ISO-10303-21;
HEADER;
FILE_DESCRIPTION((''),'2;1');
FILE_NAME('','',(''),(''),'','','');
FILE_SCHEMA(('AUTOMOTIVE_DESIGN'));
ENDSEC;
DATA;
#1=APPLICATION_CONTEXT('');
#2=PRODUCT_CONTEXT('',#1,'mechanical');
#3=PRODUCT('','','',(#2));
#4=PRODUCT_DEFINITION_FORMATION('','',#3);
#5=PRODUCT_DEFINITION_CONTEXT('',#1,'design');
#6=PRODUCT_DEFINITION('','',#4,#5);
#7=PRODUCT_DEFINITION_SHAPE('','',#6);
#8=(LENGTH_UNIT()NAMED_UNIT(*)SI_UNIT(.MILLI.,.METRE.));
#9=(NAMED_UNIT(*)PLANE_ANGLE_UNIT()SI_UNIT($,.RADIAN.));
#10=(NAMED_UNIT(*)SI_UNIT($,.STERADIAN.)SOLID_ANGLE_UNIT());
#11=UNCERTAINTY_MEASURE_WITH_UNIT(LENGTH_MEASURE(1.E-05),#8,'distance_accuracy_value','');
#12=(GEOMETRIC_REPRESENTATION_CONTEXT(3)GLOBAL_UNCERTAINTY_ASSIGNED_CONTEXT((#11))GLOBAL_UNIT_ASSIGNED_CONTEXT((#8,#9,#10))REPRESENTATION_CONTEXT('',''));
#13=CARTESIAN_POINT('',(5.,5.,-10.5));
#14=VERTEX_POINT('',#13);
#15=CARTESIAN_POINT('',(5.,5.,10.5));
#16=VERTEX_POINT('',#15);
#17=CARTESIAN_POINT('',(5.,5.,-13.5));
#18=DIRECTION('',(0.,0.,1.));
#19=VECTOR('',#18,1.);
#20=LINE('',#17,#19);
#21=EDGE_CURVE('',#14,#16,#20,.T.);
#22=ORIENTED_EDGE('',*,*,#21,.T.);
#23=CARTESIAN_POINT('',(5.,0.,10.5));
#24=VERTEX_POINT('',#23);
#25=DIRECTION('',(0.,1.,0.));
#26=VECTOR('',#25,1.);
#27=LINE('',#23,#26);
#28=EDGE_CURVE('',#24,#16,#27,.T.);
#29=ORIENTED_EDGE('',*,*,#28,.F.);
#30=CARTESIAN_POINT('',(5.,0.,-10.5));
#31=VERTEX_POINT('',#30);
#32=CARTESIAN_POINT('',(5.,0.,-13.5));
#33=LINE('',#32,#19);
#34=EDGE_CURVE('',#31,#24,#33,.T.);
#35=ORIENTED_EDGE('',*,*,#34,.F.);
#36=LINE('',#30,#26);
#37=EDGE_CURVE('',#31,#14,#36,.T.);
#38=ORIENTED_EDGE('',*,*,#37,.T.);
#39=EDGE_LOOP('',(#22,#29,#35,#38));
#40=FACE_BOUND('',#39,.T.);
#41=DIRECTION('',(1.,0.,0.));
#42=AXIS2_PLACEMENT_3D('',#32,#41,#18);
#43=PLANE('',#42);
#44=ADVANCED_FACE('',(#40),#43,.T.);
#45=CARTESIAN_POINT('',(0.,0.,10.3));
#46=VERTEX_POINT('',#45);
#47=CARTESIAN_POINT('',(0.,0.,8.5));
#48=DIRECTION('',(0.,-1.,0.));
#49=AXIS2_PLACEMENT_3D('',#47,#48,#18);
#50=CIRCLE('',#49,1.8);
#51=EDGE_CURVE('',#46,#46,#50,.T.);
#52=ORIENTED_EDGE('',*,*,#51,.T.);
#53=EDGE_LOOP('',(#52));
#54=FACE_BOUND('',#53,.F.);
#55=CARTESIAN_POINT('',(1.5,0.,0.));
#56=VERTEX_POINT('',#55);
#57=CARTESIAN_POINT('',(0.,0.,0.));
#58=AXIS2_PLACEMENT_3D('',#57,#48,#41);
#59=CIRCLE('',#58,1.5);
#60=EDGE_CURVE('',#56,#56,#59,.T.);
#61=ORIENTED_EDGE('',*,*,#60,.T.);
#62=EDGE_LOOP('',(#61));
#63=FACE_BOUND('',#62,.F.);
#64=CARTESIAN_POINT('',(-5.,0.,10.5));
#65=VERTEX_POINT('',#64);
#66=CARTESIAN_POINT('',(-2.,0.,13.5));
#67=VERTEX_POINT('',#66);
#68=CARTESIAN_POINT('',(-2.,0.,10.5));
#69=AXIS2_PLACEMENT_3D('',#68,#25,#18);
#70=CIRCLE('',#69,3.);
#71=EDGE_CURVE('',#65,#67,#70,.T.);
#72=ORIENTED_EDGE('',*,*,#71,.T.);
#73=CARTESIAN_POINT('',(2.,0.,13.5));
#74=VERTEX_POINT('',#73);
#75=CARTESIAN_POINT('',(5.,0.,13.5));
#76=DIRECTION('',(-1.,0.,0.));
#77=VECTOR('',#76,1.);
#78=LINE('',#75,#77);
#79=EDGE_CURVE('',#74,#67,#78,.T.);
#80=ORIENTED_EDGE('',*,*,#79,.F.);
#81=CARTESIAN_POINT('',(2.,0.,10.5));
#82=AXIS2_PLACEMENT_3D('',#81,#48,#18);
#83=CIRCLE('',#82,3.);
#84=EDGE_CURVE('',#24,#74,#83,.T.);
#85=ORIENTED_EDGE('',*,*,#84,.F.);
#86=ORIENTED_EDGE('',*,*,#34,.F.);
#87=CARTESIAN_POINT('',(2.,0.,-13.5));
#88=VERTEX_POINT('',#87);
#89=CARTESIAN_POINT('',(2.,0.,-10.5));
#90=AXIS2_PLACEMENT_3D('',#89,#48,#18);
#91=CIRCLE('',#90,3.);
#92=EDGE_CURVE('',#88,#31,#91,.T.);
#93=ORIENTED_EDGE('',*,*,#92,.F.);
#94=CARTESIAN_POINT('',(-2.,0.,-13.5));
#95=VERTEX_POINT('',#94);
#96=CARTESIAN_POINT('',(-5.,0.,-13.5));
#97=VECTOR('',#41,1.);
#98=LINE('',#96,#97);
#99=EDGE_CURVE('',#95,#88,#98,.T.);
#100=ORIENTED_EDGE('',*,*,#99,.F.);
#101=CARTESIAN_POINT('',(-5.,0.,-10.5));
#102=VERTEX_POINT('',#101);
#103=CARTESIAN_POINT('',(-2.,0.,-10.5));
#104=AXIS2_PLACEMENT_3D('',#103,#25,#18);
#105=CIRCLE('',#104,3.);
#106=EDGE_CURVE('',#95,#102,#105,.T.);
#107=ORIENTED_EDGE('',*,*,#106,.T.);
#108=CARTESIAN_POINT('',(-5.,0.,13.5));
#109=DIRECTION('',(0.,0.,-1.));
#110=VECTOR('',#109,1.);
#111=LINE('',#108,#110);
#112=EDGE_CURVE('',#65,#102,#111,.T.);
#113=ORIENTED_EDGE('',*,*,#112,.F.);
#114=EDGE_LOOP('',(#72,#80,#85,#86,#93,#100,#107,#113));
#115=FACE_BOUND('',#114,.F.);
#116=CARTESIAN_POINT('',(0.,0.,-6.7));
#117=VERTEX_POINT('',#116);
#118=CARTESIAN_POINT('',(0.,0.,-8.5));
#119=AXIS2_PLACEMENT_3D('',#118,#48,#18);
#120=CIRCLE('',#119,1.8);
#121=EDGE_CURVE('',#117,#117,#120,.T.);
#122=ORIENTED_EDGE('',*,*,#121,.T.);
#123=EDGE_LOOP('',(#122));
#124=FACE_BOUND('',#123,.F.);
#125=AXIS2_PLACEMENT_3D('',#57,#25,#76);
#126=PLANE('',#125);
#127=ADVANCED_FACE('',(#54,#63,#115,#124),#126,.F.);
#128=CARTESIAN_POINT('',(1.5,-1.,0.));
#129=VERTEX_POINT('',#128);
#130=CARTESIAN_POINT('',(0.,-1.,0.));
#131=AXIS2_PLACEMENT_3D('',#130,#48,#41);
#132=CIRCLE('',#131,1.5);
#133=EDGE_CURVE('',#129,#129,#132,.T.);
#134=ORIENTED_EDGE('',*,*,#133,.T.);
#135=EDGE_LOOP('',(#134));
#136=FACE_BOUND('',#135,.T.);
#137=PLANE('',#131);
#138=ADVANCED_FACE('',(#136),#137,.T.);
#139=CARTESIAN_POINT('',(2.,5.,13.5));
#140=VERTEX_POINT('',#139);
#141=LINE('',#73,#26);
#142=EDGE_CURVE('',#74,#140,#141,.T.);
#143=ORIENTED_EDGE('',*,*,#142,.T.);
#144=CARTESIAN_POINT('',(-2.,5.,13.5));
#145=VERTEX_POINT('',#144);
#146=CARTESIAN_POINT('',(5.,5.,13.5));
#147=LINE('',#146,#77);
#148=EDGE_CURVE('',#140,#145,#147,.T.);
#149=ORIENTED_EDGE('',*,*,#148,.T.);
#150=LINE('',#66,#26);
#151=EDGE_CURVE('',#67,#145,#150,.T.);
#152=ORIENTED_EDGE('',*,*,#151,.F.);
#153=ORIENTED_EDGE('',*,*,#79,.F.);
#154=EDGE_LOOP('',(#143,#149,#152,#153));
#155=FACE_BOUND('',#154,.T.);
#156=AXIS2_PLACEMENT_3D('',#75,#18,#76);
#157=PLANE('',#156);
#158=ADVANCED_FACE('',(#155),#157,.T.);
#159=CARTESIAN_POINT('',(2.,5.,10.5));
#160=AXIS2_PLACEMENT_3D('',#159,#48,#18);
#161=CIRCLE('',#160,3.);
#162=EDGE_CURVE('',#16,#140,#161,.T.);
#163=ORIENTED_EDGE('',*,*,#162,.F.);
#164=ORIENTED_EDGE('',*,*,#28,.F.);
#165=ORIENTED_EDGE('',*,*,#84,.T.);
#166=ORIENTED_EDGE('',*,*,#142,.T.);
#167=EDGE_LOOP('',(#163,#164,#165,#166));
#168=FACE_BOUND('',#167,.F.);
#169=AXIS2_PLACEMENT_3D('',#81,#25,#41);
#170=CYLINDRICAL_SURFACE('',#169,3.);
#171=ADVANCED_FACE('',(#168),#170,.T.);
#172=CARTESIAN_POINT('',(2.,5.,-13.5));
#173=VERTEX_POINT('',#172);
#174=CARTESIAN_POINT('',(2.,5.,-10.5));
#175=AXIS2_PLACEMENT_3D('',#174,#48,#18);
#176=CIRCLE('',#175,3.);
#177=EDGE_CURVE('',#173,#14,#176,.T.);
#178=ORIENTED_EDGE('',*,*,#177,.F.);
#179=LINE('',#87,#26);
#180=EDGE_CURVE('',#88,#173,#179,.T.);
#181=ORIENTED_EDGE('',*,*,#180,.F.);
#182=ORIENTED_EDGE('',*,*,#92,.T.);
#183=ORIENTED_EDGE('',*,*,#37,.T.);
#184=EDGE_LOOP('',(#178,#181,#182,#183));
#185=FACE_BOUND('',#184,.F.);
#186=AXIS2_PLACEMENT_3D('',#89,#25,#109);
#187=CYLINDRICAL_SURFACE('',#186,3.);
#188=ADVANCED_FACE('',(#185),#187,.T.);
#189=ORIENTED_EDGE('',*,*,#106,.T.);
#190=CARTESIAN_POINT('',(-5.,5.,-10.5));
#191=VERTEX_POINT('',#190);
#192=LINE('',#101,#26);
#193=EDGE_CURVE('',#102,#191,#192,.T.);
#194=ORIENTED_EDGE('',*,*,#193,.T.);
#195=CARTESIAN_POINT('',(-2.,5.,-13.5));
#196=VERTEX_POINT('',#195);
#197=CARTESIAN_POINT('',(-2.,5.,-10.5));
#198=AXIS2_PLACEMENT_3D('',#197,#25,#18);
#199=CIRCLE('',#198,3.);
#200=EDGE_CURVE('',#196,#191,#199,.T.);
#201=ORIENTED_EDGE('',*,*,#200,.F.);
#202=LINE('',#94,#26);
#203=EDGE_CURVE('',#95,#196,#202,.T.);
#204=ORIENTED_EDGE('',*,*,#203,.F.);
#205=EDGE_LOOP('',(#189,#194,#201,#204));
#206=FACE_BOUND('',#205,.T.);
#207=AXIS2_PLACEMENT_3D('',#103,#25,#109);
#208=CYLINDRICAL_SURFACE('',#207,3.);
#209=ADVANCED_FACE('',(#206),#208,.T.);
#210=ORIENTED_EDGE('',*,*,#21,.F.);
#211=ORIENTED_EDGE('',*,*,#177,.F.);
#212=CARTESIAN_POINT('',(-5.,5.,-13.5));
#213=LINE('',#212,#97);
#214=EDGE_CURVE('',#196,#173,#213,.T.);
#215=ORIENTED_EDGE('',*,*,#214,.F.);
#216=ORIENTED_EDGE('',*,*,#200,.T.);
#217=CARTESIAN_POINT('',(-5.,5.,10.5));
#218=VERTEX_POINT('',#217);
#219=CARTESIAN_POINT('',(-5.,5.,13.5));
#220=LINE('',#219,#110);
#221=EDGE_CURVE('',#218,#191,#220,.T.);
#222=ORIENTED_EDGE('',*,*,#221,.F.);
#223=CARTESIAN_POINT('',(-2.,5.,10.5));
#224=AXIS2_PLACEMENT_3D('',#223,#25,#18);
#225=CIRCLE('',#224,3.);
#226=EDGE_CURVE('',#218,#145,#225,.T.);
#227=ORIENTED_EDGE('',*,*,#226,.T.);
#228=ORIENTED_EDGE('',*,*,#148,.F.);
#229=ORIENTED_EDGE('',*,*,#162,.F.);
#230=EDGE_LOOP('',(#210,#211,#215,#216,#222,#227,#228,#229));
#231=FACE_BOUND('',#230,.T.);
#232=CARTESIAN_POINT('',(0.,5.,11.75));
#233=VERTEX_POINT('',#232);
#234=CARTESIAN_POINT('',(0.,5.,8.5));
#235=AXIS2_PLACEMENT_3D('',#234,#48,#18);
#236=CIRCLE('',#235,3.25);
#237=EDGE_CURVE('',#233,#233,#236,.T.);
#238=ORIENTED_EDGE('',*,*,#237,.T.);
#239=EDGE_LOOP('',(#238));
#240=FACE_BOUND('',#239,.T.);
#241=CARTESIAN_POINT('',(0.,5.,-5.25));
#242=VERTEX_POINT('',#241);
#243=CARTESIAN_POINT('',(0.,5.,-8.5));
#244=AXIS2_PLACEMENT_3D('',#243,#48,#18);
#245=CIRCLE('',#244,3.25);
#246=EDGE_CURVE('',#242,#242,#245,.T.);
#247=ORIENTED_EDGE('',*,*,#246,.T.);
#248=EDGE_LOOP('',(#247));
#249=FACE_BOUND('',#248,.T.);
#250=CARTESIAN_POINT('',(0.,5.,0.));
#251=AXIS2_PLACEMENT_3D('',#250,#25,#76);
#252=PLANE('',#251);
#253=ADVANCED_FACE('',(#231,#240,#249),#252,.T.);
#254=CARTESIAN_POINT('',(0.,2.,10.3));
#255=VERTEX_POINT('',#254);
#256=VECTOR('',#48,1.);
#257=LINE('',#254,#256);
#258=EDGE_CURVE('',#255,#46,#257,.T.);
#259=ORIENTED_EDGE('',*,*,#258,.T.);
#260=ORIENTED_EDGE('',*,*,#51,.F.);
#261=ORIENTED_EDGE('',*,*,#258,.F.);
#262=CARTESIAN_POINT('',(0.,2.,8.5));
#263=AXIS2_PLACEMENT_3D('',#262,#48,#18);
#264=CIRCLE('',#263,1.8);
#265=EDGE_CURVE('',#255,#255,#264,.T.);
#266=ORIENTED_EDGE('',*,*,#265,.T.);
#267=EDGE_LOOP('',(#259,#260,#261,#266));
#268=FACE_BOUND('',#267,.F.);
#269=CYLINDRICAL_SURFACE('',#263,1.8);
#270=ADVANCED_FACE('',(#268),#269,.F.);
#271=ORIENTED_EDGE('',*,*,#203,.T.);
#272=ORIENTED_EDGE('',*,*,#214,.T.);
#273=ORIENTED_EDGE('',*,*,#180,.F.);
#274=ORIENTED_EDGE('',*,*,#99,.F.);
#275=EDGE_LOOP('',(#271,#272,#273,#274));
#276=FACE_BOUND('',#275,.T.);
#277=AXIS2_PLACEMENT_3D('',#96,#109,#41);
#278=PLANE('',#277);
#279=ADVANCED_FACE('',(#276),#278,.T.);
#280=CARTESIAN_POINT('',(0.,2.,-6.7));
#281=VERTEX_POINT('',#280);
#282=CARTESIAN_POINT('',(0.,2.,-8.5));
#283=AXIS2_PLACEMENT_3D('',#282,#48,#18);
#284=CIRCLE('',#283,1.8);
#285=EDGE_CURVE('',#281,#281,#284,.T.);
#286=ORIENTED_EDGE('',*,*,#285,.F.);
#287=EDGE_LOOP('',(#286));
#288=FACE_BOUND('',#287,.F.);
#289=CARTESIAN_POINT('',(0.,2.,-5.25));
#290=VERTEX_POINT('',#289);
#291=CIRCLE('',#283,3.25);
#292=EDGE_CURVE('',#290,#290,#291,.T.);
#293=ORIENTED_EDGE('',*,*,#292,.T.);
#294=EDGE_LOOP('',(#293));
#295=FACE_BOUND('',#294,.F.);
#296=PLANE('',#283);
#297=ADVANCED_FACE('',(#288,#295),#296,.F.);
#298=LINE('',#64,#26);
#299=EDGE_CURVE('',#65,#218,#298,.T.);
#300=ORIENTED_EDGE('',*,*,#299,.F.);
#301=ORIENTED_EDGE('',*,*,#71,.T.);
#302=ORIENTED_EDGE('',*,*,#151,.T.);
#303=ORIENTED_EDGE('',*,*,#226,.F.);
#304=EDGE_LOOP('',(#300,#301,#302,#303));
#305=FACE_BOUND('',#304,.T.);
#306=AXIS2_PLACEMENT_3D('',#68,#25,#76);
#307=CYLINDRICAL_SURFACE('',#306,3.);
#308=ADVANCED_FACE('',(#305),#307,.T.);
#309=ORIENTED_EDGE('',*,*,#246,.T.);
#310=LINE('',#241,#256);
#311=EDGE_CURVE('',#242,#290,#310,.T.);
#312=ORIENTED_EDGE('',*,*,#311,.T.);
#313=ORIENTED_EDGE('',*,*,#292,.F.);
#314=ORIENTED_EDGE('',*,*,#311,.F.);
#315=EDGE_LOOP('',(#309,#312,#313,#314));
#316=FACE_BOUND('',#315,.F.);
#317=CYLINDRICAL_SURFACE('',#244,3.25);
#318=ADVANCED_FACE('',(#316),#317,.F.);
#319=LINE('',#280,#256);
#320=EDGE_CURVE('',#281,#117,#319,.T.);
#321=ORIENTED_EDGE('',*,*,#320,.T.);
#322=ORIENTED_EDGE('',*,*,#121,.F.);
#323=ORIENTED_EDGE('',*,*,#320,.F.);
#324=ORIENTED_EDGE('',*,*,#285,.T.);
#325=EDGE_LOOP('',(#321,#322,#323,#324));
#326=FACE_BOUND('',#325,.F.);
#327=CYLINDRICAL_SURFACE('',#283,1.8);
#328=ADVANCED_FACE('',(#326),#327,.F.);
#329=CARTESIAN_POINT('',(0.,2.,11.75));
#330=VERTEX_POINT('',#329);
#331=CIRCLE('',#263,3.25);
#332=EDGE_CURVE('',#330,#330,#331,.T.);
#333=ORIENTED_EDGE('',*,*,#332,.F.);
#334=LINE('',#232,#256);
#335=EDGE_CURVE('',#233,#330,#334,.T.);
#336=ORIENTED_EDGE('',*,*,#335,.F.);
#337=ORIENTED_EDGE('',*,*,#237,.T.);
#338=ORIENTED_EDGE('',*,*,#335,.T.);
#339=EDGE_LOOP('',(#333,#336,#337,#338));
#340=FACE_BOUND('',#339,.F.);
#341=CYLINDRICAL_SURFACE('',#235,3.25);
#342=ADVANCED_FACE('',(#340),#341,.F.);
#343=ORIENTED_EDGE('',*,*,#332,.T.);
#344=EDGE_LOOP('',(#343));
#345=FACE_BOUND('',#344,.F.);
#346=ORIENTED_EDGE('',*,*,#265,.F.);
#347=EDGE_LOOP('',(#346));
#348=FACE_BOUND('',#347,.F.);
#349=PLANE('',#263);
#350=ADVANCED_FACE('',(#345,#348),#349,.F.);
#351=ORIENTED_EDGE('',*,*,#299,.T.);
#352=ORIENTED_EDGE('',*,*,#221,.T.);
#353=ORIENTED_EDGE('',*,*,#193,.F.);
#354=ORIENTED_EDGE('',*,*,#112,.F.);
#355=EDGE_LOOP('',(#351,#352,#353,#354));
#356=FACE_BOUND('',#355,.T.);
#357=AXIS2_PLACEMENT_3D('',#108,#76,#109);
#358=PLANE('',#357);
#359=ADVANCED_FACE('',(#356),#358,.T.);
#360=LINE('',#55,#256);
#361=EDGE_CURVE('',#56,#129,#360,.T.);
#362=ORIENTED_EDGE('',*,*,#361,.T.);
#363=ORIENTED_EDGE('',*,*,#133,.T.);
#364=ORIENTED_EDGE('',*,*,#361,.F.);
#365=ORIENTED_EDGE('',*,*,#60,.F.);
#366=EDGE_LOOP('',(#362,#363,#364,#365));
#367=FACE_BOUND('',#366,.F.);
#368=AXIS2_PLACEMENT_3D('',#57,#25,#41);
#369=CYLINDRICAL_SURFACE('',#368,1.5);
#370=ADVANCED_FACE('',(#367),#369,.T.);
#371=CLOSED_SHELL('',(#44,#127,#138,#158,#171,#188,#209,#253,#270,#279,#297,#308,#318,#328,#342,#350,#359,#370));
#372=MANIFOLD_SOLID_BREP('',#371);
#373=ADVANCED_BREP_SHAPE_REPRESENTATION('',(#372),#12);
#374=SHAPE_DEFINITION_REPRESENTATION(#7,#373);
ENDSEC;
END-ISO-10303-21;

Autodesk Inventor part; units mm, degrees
ref_plane "YZ Plane" through (0, 0, 0) normal (1, 0, 0) x (0, 1, 0)
ref_plane "XZ Plane" through (0, 0, 0) normal (0, 1, 0) x (-1, 0, 0)
ref_plane "XY Plane" through (0, 0, 0) normal (0, 0, 1) x (1, 0, 0)
sketch "Sketch1" plane through (0, 0, 0) normal (0, 1, 0) x (-1, 0, 0)
  line L0 (5, -13.5) -> (-5, -13.5)
  line L1 (-5, -13.5) -> (-5, 13.5)
  line L2 (-5, 13.5) -> (5, 13.5)
  line L3 (5, 13.5) -> (5, -13.5)
  line L4 (5, -13.5) -> (-5, 13.5) construction
  line L5 (-5, -13.5) -> (5, 13.5) construction
  circle A0 centre (0, -8.5) radius 3.25
  circle A1 centre (0, 8.5) radius 3.25
  circle A2 centre (0, 0) radius 1.5
  dimension "d0" = 17
  dimension "d1" = 6.5
  dimension "d2" = 6.5
  dimension "d3" = 3
  dimension "d4" = 5
  dimension "d5" = 5
  dimension "d6" = 5
extrude "Extrusion1" add sketch "Sketch1" along normal blind 5 contours L0 L1 L2 L3 | A0 | A1 | A2
sketch "Sketch2" plane through (0, 0, 0) normal (0, -1, 0) x (1, 0, 0)
  circle A0 centre (0, 0) radius 1.5
  dimension "d9" = 3
extrude "Extrusion2" add sketch "Sketch2" along normal blind 1
sketch "Sketch3" plane through (0, 5, 0) normal (0, 1, 0) x (1, 0, 0)
  line L0 (-5, -13.5) -> (5, -13.5) projected
  line L1 (5, -13.5) -> (5, 13.5) projected
  line L2 (5, 13.5) -> (-5, 13.5) projected
  line L3 (-5, 13.5) -> (-5, -13.5) projected
  point P0 (0, 0)
  point P1 (0, 8.5)
  point P2 (0, -8.5)
  dimension "d12" = 8.5
  dimension "d13" = 8.5
hole "Hole1" at (0, 5, -8.5) at (0, 5, 8.5) direction (0, -1, 0) diameter 3.6 depth 28.25 tip angle 118 counterbore diameter 6.5 counterbore depth 3 clearance for "Socket Head Cap Screw" size "M3" standard "Ansi Metric M Profile"
fillet "Fillet1" radius 3 4 edges at (5, 2.5, 13.5) (5, 2.5, -13.5) (-5, 2.5, -13.5) (-5, 2.5, 13.5)
sketch "Sketch4" plane through (0, 2, -8.5) normal (0, 1, 0) x (1, 0, 0)
  circle A0 centre (0, 0) radius 1.8 projected
  circle A1 centre (0, -17) radius 1.8 projected
  point P0 (0, -8.5)
extrude "Extrusion3" [suppressed]
equation "\"d13\" = d12"
properties part number "Belt Clamp Block" material "ABS Plastic"
